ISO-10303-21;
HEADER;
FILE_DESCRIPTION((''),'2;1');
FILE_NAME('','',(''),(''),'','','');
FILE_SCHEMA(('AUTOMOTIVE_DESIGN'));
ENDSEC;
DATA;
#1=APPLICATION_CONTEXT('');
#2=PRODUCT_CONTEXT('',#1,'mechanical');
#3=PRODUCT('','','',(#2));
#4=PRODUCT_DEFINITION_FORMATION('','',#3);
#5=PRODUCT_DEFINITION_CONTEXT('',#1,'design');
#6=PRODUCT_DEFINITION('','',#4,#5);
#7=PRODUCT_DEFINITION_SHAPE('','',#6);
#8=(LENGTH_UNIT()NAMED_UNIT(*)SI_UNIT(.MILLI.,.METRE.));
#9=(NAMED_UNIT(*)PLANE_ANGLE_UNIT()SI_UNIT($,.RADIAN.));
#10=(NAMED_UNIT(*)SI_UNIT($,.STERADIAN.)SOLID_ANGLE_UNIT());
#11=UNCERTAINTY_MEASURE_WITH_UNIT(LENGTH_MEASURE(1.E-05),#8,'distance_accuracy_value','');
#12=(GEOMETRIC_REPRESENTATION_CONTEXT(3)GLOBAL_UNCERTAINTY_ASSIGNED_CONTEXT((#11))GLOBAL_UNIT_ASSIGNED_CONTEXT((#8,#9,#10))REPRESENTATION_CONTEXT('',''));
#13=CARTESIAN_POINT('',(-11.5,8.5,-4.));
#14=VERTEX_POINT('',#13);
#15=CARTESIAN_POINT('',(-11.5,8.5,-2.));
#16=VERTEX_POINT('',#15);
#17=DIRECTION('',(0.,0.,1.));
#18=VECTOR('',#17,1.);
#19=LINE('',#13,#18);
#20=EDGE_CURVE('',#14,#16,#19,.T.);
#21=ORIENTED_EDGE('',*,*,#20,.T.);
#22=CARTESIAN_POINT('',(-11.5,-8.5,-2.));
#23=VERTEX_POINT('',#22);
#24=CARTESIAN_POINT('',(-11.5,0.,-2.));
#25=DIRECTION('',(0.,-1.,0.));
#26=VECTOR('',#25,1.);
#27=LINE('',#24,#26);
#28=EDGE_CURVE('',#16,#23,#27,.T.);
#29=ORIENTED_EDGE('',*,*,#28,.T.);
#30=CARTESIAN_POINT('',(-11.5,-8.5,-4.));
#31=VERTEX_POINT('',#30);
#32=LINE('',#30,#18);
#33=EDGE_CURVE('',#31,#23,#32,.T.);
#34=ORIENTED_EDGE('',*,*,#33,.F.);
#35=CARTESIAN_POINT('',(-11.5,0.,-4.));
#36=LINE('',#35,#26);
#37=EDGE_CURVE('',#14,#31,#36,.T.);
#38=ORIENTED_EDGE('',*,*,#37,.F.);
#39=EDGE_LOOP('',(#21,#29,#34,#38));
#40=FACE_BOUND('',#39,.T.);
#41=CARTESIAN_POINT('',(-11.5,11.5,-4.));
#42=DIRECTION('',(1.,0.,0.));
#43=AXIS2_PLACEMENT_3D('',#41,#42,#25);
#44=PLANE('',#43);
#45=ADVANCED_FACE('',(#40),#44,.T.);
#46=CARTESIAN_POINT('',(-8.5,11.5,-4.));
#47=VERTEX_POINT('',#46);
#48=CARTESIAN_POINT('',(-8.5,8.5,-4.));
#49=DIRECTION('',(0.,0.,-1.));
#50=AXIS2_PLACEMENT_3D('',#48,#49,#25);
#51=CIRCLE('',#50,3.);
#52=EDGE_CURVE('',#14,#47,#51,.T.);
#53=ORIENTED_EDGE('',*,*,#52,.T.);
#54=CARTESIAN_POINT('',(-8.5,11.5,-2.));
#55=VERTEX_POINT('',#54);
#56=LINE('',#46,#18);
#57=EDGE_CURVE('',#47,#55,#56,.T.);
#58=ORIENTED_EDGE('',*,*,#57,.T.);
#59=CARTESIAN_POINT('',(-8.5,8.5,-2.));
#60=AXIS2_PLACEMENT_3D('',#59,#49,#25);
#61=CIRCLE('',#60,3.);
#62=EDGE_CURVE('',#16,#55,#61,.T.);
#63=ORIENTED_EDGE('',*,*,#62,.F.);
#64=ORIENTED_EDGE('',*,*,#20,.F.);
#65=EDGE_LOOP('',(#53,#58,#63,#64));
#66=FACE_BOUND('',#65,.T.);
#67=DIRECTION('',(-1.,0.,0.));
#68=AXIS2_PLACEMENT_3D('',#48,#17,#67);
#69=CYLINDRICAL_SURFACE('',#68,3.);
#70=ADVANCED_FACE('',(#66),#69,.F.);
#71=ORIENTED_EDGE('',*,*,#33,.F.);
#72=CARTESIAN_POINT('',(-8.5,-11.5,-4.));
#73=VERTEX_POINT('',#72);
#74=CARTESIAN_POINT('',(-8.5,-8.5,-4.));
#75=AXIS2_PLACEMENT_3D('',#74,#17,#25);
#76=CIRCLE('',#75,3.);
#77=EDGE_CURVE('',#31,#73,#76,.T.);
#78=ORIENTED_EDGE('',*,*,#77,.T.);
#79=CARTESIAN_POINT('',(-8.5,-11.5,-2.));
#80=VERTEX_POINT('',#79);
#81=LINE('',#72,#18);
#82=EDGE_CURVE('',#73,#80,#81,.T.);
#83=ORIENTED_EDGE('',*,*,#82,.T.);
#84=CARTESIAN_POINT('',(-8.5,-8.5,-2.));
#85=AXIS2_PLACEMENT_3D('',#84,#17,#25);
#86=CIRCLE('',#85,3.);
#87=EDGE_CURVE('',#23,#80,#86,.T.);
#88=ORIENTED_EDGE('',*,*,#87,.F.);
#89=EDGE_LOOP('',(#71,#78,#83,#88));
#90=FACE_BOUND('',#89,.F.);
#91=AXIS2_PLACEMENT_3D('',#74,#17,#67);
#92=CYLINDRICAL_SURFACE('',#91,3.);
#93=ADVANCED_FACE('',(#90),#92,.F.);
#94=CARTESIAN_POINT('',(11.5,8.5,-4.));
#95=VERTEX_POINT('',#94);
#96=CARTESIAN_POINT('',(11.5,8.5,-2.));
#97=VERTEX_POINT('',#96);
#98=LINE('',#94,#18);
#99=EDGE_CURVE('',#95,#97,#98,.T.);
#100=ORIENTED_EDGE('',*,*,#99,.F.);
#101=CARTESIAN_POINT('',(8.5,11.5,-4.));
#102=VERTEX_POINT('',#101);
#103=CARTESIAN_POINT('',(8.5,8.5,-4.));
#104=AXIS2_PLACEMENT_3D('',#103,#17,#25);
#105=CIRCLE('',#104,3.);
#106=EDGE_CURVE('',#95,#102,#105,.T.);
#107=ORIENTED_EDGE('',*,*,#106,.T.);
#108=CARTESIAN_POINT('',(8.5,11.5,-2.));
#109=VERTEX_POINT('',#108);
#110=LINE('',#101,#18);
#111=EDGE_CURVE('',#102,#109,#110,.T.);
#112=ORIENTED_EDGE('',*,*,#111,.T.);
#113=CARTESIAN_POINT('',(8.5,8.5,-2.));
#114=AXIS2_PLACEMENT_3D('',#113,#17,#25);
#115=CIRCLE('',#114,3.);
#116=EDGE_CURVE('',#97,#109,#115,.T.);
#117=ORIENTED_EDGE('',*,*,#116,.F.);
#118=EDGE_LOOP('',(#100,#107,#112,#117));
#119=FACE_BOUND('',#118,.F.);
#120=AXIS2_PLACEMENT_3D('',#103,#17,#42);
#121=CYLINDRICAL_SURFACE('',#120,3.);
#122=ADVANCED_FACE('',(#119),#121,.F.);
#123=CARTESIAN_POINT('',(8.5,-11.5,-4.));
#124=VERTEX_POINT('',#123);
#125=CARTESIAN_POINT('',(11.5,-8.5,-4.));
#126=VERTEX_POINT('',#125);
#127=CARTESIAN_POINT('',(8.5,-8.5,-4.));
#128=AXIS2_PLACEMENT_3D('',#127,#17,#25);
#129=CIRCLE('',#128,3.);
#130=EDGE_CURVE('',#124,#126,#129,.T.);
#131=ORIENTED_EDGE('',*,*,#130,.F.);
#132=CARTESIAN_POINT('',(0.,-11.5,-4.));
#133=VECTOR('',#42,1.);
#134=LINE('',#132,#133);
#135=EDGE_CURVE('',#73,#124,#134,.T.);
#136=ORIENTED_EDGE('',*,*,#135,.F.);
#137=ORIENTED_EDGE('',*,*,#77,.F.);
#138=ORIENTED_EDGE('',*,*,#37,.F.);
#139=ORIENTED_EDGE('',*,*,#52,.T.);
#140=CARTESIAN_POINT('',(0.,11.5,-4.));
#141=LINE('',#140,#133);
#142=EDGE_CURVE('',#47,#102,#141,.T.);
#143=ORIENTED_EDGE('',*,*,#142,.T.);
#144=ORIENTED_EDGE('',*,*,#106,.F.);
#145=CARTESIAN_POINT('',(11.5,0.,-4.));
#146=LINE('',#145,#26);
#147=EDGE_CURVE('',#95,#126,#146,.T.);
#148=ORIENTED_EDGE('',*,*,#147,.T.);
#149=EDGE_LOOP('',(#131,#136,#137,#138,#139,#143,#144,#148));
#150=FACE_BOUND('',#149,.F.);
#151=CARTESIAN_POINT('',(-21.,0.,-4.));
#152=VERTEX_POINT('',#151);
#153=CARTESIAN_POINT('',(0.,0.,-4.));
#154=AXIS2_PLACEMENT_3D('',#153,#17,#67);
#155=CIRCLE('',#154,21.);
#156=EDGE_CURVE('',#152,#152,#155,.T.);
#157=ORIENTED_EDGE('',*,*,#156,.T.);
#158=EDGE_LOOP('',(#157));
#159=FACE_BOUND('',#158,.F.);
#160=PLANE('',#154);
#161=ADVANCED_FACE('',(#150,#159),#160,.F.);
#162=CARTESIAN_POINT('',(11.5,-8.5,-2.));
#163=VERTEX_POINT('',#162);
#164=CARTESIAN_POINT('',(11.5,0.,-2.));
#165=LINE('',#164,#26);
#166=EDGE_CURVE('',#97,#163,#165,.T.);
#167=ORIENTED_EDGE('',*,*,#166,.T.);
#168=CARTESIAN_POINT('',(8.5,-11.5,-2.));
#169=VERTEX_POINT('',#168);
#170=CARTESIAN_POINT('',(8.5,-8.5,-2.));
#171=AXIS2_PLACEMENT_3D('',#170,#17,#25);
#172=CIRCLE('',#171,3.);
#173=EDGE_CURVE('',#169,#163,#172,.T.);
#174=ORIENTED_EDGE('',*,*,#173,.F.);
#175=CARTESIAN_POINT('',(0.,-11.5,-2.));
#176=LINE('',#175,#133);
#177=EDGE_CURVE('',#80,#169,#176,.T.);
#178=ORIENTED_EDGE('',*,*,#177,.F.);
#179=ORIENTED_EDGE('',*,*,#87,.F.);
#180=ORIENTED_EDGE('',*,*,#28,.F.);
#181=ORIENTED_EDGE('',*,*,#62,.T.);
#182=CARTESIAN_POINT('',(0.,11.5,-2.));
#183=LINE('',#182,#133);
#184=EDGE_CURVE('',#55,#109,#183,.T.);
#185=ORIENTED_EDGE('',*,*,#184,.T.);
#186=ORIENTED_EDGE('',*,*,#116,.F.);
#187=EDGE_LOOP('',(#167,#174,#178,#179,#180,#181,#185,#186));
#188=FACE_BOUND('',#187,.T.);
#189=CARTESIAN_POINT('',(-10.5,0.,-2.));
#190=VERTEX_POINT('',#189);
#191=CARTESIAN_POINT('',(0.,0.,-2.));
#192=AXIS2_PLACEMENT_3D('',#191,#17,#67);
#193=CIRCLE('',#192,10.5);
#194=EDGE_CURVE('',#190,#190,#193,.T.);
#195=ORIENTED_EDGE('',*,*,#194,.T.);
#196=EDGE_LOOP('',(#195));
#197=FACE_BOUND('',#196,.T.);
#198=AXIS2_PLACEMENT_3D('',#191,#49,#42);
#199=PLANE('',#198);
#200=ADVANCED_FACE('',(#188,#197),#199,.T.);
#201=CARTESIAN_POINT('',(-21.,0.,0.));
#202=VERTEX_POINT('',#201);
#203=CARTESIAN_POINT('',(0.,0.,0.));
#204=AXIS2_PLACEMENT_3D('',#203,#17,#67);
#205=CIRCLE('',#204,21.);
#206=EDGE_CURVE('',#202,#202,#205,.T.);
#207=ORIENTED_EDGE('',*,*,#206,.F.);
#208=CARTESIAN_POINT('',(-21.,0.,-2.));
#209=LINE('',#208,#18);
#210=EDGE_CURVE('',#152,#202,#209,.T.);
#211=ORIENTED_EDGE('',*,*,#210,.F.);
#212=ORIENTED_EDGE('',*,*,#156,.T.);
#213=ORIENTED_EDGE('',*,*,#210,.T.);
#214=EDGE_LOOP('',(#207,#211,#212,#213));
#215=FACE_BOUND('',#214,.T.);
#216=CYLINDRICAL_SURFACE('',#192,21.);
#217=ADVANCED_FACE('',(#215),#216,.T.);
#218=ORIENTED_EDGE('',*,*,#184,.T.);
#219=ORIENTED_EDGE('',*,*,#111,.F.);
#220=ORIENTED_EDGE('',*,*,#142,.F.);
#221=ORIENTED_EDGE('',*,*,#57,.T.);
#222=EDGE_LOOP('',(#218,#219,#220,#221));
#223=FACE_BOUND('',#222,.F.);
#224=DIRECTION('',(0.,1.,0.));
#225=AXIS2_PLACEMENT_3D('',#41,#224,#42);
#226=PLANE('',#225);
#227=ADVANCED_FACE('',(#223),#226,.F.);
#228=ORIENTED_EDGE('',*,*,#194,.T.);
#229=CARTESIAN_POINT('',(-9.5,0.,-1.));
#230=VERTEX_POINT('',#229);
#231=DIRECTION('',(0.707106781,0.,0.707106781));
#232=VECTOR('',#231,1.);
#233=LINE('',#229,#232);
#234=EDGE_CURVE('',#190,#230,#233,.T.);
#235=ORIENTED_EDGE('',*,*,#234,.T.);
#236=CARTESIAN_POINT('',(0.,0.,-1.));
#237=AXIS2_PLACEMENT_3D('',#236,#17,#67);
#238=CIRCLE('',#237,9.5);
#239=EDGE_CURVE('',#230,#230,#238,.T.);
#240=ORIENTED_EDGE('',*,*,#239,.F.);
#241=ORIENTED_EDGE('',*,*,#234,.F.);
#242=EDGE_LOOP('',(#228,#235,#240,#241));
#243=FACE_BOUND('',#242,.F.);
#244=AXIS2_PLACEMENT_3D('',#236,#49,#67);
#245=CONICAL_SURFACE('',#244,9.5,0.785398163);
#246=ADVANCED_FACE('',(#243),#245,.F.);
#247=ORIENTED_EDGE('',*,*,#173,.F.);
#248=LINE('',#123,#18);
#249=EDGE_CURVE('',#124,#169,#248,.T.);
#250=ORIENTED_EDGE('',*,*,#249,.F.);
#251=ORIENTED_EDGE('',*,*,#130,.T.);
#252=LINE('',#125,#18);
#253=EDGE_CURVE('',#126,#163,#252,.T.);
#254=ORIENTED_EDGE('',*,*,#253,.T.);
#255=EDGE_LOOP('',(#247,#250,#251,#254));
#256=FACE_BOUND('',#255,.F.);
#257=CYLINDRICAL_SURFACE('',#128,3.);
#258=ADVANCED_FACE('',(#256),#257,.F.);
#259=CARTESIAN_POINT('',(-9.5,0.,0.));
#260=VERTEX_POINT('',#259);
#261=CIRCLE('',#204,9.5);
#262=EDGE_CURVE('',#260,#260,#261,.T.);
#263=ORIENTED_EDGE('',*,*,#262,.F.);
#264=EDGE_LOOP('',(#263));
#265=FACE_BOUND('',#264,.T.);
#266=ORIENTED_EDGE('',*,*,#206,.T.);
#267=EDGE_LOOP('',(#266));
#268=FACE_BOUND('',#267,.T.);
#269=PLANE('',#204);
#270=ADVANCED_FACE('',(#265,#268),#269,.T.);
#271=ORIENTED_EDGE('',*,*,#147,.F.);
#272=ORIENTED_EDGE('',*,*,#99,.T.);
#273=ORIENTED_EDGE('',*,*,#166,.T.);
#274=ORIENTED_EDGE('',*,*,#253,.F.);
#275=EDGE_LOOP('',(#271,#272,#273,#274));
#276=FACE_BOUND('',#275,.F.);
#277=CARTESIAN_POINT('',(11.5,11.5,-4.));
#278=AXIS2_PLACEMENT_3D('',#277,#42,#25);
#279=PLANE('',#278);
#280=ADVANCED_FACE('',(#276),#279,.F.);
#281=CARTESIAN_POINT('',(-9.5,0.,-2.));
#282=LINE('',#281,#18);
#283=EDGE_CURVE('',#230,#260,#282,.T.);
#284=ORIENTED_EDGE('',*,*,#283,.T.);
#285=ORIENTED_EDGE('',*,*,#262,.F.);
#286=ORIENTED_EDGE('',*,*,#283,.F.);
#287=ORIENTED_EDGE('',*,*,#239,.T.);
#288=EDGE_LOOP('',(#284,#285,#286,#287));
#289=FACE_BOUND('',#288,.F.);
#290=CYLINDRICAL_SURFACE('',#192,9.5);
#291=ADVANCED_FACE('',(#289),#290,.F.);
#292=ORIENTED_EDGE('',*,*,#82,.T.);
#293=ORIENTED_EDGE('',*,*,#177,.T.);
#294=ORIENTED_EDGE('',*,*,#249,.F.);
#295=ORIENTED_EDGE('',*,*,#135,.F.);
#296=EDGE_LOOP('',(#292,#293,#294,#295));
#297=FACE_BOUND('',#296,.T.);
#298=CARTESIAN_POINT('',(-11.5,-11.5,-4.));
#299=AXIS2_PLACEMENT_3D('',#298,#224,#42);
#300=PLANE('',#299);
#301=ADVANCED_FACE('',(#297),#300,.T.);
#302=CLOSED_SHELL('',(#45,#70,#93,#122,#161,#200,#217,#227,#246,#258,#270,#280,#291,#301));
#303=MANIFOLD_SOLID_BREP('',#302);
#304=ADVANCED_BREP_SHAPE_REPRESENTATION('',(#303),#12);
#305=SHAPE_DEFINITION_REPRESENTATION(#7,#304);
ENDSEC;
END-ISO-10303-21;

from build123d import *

# Parameters (mm, degrees)
SKETCH001_W  = 11.5
SKETCH001_H  = 4
SKETCH002_W  = 23
SKETCH002_H  = 23
POCKET_DEPTH = 2
FILLET_R     = 3
CHAMFER_SIZE = 1


with BuildPart() as part:
    # Sketch001 → Revolution001 (revolve)
    with BuildSketch(Plane.XZ):
        with Locations((-15.25, -2)):
            Rectangle(SKETCH001_W, SKETCH001_H)
    revolve(axis=Axis((0, 0, 0), (0, 0, 1)))

    # Sketch002 (on Face3 of Revolution001) → Pocket (cut)
    with BuildSketch(Plane(origin=(0, 0, -4), x_dir=(1, 0, 0), z_dir=(0, 0, -1))):
        Rectangle(SKETCH002_W, SKETCH002_H)
    extrude(amount=-POCKET_DEPTH, mode=Mode.SUBTRACT)

    # Fillet
    fillet_edges = [part.edges().sort_by_distance(p)[0] for p in [
        (-11.5, 11.5, -3),
        (11.5, 11.5, -3),
        (11.5, -11.5, -3),
        (-11.5, -11.5, -3),
    ]]
    fillet(fillet_edges, radius=FILLET_R)

    # Chamfer
    chamfer_edges = [part.edges().sort_by_distance(p)[0] for p in [
        (9.5, 0, -2),
    ]]
    chamfer(chamfer_edges, length=CHAMFER_SIZE)


solid = part.part
